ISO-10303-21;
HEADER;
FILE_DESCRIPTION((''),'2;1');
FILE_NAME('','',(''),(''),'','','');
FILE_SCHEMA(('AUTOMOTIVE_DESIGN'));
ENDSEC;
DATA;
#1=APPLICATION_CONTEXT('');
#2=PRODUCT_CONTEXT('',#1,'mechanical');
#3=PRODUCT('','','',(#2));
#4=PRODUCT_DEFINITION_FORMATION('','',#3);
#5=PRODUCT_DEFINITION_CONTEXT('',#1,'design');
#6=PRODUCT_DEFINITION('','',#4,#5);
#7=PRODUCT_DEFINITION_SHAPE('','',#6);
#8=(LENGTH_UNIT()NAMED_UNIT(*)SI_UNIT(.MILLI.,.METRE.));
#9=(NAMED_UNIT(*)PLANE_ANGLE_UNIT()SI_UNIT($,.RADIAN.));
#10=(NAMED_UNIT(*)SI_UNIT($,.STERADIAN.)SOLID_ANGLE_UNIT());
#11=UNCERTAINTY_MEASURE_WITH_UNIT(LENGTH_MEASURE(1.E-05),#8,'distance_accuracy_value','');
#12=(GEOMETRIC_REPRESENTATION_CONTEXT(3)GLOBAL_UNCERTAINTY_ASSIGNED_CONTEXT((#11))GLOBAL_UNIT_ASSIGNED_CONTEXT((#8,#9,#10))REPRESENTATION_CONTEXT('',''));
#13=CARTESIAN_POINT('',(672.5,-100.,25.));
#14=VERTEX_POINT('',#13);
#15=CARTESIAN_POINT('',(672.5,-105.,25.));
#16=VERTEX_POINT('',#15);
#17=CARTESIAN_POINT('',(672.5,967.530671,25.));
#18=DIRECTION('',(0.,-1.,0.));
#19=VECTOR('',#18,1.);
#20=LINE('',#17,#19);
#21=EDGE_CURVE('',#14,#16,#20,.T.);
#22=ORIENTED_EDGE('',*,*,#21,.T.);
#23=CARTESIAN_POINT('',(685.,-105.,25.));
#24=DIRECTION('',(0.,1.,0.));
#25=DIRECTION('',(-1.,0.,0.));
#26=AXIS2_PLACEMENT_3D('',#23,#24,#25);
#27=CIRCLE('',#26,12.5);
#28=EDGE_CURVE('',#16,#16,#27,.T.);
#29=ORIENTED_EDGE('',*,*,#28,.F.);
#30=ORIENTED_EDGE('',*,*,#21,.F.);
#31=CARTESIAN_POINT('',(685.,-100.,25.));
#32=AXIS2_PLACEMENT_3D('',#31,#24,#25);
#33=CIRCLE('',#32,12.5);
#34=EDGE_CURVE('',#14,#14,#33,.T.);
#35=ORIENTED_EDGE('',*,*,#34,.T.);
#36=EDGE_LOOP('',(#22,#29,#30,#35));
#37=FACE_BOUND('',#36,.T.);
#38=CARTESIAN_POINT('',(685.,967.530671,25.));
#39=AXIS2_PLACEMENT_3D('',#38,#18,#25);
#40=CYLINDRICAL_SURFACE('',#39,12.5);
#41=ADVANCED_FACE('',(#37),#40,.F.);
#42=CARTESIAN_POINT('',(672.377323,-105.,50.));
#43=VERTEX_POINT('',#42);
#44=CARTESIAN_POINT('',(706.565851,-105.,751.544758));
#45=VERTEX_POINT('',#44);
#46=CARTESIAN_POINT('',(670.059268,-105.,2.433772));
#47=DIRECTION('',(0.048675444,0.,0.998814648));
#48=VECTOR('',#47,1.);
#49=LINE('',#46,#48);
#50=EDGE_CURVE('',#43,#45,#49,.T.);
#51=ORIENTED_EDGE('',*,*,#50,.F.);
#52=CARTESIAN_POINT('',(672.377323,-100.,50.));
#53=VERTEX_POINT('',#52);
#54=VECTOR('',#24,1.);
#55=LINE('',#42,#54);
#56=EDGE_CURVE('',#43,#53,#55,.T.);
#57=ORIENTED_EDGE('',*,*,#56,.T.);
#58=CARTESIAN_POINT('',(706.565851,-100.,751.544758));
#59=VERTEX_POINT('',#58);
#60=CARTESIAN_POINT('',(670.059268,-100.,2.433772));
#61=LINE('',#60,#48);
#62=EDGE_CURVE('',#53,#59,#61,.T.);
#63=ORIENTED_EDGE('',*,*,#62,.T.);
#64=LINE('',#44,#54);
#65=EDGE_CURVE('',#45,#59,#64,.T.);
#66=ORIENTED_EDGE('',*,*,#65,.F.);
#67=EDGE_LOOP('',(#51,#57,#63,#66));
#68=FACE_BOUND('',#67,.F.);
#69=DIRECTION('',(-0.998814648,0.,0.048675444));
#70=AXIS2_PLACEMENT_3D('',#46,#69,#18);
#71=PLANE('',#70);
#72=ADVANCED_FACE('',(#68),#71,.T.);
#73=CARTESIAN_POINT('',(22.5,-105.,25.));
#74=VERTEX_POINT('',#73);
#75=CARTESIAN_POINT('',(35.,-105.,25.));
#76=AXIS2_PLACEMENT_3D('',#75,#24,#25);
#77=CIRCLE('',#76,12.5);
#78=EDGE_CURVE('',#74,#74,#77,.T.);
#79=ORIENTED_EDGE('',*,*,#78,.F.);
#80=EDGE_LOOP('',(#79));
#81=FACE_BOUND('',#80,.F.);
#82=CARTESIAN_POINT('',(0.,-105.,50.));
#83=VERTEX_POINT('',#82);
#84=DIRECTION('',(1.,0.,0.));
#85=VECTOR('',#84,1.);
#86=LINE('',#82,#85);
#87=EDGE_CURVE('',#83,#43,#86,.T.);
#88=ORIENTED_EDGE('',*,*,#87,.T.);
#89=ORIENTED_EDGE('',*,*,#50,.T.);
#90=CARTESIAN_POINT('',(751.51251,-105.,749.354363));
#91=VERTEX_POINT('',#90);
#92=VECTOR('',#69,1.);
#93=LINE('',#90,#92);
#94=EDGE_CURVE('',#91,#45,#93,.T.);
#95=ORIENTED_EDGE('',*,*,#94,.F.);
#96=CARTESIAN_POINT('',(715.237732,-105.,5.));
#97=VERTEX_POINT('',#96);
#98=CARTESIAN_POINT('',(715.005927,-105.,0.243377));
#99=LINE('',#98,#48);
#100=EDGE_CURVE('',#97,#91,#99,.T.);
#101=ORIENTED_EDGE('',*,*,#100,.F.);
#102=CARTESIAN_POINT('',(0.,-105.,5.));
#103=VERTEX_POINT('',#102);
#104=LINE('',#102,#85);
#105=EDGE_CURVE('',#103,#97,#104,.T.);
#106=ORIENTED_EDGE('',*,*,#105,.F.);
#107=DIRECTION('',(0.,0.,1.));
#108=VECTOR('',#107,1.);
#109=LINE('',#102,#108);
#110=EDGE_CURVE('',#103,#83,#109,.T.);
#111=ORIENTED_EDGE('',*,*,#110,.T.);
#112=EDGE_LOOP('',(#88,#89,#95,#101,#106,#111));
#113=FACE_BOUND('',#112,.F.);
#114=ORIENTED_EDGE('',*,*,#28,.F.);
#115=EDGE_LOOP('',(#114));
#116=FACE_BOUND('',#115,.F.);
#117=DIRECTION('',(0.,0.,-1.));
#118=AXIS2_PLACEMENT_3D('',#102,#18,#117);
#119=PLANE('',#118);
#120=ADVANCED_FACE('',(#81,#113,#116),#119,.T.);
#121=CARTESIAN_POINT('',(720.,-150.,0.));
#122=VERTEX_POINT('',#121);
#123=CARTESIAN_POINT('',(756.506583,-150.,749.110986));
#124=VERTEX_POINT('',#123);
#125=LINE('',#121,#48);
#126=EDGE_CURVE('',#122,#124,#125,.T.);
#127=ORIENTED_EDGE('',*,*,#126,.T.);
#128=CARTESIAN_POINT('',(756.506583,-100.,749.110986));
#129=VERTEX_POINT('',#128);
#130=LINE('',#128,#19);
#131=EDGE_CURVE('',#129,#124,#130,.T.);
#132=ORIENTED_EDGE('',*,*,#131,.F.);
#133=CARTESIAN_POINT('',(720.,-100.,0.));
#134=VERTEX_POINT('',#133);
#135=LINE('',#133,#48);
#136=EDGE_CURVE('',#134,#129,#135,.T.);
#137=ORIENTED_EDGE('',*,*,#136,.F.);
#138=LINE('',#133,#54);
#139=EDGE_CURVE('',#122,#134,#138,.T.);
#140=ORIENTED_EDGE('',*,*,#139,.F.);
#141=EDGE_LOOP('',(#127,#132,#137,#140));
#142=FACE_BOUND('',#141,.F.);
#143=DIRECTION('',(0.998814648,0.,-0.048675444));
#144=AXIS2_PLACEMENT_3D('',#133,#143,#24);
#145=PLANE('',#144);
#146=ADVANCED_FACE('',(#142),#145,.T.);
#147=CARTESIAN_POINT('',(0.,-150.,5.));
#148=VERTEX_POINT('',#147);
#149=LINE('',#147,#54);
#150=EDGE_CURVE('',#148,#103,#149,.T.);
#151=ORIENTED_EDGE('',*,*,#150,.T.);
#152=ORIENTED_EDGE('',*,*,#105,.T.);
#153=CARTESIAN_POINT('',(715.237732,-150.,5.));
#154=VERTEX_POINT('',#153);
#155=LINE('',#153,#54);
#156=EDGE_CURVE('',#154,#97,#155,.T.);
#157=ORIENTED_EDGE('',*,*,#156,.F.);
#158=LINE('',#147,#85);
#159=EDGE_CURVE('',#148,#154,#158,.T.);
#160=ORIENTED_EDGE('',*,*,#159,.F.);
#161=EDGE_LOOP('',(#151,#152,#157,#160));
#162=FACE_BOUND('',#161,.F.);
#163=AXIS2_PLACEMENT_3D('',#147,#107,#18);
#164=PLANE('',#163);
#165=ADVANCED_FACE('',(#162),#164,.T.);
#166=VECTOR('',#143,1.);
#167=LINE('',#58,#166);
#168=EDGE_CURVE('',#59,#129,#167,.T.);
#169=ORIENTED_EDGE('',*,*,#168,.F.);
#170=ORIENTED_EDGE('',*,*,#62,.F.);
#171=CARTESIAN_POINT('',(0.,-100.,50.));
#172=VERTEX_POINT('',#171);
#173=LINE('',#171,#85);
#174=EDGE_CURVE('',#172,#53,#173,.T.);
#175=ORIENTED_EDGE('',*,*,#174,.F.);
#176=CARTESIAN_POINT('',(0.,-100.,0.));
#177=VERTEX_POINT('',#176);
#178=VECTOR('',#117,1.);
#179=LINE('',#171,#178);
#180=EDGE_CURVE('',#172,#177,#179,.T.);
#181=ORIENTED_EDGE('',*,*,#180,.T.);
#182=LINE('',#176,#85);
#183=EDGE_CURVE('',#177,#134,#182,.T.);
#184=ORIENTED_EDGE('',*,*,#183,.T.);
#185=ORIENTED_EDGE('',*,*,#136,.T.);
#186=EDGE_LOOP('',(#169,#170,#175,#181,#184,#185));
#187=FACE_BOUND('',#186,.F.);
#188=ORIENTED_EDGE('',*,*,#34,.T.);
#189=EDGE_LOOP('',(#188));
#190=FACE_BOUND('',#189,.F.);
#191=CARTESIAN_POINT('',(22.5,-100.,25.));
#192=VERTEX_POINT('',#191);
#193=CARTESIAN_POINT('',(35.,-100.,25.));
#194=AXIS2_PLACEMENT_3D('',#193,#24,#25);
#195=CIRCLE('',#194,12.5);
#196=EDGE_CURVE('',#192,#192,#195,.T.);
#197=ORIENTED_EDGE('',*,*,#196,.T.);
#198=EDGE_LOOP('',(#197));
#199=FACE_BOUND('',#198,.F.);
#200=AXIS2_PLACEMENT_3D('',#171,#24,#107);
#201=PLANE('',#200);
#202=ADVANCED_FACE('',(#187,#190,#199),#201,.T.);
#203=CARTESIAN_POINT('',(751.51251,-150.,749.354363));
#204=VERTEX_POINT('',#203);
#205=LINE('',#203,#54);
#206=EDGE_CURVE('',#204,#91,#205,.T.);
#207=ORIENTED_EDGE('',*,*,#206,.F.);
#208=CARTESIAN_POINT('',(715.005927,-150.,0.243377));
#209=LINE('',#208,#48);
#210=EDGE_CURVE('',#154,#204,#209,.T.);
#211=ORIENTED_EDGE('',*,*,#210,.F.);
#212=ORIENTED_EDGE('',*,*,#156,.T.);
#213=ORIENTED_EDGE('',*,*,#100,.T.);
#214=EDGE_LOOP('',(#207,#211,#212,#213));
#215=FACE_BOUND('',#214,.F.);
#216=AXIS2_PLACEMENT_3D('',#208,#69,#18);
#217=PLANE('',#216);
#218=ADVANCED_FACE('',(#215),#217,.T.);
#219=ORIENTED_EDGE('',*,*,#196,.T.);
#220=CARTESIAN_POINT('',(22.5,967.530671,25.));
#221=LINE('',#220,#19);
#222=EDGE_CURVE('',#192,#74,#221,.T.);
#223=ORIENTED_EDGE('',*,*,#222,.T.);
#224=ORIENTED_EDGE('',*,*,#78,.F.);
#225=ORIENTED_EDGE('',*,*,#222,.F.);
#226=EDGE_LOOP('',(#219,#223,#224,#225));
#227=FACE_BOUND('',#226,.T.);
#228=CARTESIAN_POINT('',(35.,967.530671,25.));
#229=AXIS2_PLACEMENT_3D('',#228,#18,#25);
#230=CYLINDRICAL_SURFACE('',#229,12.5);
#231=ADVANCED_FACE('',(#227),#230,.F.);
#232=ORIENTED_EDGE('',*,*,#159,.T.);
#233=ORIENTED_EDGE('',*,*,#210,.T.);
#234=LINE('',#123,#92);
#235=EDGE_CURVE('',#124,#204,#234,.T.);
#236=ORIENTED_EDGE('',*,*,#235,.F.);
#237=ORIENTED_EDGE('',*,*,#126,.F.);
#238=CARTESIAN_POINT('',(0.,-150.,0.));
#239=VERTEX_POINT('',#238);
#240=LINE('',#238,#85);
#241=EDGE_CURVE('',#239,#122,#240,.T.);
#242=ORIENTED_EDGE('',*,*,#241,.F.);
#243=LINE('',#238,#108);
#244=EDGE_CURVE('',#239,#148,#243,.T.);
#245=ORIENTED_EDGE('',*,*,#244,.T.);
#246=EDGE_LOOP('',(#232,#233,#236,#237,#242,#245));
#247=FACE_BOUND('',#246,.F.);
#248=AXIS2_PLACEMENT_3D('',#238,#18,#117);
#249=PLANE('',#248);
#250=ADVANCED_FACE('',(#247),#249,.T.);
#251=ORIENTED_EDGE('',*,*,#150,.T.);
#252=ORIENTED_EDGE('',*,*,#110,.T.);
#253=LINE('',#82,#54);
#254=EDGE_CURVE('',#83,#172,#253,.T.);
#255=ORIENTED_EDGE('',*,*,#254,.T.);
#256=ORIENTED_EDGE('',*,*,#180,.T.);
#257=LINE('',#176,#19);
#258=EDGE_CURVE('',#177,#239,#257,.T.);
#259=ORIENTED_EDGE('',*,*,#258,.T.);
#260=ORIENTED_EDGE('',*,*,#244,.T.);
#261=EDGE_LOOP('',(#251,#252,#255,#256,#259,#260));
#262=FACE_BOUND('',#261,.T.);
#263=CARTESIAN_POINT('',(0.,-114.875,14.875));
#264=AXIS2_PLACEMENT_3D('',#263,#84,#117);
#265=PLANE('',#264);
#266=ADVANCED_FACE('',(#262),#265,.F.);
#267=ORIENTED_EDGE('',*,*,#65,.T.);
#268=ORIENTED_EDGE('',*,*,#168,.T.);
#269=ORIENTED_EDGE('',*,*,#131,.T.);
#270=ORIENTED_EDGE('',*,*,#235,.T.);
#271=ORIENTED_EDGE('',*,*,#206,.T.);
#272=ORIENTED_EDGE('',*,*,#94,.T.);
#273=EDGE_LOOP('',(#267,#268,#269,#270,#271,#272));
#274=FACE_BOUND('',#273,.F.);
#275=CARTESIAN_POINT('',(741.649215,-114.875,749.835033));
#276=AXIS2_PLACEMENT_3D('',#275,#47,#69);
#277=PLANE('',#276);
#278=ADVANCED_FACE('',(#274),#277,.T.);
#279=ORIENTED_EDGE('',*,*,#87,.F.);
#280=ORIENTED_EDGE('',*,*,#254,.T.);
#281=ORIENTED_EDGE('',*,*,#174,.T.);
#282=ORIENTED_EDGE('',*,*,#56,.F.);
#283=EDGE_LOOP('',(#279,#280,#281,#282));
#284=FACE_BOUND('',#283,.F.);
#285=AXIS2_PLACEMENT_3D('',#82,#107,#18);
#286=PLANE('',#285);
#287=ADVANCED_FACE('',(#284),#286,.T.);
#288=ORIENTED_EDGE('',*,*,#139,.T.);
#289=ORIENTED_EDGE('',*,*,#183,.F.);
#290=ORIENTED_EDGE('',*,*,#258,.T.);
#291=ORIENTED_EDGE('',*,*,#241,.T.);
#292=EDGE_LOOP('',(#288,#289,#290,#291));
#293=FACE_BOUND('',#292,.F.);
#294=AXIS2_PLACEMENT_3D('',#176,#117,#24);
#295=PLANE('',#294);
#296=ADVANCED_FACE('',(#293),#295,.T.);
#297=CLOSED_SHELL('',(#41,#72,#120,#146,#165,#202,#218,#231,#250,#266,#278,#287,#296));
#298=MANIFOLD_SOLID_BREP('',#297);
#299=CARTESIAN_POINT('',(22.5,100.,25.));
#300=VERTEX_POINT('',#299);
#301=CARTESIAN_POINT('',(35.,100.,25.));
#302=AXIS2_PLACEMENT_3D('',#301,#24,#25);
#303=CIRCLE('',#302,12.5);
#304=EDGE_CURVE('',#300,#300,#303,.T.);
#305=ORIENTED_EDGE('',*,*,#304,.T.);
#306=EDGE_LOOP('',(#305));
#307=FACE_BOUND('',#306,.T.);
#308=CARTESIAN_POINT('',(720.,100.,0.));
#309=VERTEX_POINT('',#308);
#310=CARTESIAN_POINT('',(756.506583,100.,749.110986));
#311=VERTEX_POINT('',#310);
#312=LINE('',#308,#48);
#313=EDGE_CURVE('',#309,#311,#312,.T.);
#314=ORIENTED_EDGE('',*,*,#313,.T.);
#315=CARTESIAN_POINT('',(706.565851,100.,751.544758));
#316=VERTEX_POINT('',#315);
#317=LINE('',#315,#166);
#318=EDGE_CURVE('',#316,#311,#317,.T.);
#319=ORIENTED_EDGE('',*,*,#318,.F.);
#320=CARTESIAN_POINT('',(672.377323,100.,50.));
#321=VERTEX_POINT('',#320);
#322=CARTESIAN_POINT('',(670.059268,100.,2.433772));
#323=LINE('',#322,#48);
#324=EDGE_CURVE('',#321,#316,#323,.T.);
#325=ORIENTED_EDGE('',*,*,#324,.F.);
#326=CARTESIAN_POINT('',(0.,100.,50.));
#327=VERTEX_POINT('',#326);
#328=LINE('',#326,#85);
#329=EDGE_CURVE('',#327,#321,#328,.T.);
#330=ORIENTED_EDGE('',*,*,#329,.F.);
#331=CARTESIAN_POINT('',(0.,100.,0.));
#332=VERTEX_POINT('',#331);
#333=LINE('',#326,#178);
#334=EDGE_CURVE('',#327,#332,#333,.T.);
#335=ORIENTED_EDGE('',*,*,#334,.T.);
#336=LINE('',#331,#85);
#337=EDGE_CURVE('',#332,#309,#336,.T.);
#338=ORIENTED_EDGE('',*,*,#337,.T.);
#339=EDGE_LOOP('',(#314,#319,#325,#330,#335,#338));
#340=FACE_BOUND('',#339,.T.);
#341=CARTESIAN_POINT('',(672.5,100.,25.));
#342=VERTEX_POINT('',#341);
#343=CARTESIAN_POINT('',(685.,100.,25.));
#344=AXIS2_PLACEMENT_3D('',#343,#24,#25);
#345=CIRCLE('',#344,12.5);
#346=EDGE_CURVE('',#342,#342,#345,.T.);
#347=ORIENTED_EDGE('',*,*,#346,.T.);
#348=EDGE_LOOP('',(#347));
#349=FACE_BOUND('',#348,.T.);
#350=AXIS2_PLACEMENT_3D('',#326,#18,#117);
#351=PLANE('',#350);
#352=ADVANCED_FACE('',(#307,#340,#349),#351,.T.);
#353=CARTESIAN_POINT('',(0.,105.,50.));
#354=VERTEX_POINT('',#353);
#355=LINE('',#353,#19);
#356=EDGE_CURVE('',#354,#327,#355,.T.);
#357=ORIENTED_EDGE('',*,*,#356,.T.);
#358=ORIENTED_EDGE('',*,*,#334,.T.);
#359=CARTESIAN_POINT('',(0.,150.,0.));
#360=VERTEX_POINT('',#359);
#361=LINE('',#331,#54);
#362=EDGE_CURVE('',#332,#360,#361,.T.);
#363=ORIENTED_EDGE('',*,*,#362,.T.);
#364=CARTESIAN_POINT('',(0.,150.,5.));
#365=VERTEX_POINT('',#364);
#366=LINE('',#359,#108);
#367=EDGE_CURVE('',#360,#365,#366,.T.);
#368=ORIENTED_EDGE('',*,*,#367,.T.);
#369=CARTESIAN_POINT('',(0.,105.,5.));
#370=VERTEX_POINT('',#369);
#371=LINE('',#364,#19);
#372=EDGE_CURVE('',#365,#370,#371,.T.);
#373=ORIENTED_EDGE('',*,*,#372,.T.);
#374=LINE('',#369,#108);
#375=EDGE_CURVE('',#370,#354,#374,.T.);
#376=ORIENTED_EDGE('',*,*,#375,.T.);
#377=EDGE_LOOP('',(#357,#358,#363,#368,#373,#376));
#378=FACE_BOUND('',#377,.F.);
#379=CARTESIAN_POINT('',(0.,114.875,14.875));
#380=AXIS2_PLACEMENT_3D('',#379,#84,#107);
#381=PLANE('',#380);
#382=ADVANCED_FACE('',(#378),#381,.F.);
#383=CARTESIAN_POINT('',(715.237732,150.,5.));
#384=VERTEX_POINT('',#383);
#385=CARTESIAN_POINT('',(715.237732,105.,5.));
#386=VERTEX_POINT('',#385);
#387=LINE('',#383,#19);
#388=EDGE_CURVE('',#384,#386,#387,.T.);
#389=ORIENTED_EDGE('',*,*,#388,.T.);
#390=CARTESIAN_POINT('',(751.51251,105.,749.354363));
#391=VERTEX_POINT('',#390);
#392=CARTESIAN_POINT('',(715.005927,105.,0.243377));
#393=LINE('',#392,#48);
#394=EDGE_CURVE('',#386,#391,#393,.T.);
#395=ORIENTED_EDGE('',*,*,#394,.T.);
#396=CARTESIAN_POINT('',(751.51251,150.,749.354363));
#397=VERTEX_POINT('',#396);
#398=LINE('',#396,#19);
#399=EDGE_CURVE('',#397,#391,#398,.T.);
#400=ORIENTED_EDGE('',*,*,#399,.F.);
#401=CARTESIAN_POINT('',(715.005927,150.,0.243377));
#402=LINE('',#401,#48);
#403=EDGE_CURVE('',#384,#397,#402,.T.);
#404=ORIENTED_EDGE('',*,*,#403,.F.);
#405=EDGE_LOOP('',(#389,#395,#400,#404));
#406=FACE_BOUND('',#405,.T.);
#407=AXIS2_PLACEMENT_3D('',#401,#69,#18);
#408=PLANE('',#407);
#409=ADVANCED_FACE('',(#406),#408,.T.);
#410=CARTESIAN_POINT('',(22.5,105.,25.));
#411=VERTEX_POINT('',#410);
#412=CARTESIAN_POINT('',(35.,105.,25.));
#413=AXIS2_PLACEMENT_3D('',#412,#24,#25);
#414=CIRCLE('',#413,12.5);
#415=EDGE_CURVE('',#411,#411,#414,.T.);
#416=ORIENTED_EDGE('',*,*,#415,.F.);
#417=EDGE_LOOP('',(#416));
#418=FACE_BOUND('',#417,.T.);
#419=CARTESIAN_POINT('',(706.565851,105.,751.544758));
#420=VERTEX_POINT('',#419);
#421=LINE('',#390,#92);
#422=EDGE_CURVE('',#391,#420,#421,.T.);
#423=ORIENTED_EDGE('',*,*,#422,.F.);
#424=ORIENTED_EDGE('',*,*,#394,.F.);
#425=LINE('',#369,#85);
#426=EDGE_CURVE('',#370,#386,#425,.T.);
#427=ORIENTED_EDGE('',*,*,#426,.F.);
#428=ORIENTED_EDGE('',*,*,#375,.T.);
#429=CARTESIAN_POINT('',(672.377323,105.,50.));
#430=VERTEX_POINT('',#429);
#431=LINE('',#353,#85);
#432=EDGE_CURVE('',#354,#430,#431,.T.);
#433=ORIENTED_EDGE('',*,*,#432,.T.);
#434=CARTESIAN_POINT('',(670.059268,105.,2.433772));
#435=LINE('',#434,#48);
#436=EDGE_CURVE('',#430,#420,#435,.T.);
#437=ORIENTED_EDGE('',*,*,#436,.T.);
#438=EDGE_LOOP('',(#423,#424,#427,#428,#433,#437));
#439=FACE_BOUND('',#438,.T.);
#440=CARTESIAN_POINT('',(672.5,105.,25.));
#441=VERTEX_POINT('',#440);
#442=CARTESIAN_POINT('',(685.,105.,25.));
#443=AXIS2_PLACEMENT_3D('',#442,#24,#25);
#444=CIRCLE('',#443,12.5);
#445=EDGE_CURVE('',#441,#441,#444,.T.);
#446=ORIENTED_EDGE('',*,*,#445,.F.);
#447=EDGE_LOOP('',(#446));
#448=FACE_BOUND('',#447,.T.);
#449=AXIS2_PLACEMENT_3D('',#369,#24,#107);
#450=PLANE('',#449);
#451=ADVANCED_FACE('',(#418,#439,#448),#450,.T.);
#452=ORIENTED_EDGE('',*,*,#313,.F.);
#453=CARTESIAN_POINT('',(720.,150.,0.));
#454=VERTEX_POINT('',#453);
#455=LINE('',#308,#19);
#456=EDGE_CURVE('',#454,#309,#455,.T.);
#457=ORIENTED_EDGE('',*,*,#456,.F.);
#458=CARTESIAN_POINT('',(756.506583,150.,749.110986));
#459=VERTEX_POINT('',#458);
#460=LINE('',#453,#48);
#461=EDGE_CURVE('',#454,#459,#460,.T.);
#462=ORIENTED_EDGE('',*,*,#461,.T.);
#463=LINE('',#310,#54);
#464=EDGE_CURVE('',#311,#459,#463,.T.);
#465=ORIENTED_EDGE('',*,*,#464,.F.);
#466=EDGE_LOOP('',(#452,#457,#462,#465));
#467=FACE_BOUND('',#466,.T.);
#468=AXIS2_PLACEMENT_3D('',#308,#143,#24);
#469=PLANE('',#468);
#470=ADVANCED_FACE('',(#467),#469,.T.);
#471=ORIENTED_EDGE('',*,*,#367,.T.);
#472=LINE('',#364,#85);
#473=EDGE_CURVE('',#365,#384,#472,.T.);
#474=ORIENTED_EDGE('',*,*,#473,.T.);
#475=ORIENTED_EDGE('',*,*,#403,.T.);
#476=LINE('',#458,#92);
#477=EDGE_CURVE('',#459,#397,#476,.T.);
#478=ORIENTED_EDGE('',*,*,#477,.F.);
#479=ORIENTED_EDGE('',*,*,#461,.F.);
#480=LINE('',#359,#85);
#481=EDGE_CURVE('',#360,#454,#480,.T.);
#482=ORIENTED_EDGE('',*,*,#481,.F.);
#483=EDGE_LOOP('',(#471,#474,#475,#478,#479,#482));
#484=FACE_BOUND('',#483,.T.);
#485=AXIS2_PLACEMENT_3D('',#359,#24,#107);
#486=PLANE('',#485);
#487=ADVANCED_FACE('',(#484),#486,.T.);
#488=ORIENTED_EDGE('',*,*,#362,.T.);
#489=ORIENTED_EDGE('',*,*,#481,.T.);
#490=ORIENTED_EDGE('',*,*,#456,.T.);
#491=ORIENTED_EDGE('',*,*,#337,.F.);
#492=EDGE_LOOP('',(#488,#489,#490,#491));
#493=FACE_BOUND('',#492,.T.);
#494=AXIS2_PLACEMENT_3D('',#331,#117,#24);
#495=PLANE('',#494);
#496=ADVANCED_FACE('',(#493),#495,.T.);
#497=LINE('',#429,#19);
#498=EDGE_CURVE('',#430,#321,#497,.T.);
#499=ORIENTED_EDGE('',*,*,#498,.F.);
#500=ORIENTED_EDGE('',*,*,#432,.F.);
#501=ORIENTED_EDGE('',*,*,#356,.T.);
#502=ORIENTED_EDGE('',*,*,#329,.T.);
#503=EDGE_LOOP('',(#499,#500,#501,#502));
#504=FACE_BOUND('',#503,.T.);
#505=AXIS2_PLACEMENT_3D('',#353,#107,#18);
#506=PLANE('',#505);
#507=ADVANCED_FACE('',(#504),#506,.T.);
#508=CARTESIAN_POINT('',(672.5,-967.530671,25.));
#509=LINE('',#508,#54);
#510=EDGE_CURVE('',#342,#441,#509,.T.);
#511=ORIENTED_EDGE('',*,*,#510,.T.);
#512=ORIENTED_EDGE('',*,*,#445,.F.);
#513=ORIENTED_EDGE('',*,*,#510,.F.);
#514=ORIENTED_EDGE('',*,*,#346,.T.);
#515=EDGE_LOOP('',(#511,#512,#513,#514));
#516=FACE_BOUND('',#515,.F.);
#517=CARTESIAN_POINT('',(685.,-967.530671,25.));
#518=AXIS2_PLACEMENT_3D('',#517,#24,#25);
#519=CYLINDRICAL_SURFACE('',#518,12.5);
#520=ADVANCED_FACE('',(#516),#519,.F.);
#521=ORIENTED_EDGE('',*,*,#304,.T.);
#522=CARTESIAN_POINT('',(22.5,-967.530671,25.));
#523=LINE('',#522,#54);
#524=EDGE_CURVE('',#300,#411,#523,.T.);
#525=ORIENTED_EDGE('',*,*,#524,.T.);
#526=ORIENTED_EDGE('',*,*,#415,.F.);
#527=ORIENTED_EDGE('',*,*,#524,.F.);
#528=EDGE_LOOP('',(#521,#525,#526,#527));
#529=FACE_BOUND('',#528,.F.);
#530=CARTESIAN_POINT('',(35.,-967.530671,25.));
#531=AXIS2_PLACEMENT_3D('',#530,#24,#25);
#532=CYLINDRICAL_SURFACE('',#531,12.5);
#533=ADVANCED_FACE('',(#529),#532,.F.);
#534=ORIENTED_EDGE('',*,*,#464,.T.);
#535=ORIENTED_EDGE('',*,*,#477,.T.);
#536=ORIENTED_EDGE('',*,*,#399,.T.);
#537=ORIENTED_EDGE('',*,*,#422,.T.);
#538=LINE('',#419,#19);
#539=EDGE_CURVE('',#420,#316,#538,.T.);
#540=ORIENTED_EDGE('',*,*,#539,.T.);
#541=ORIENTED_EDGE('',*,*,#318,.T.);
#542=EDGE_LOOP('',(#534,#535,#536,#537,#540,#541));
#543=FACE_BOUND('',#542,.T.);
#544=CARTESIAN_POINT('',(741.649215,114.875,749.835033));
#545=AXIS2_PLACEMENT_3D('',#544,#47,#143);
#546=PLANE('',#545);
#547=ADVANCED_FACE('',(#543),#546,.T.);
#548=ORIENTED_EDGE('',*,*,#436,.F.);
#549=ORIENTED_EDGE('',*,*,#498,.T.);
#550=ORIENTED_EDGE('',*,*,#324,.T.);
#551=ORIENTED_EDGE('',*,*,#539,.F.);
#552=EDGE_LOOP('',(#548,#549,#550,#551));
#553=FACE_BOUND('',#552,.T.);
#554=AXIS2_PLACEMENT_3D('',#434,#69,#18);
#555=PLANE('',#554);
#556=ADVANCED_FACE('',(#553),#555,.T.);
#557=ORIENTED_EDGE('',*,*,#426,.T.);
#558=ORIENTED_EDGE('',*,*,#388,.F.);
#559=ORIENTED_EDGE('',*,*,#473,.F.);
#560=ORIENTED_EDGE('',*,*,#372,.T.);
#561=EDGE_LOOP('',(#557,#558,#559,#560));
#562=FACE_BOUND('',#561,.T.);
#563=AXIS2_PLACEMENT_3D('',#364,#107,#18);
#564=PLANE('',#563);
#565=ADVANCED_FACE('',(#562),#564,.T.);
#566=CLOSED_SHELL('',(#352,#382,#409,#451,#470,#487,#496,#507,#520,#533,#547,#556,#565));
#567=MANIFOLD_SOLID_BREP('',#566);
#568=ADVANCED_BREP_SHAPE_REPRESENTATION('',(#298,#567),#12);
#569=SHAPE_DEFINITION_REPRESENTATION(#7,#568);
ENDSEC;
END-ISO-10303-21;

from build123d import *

# Parameters (mm, degrees)
F6_D = 25


with BuildPart() as f3:
    # F3: sweep along a path in F2
    with BuildLine(Plane.XZ.offset(-100)) as f3_path:
        Line((0, 0), (720, 0))
        Line((720, 0), (756.5065833717, 749.1109860164))
    # F0 (on Right) → F3 (sweep)
    with BuildSketch(Plane.YZ):
        Polygon((105, 50), (100, 50), (100, 0), (150, 0), (150, 5), (105, 5), align=None)
    sweep(path=f3_path.line, transition=Transition.RIGHT)

    # F6 (through all)
    with Locations(Plane.XZ.offset(-100)):
        with Locations((35, 25), (685, 25)):
            Hole(F6_D / 2)


with BuildPart() as f7_1:
    # F7: instance of F3
    add(f3.part.mirror(Plane.XZ))


solid = Compound([f3.part, f7_1.part])
